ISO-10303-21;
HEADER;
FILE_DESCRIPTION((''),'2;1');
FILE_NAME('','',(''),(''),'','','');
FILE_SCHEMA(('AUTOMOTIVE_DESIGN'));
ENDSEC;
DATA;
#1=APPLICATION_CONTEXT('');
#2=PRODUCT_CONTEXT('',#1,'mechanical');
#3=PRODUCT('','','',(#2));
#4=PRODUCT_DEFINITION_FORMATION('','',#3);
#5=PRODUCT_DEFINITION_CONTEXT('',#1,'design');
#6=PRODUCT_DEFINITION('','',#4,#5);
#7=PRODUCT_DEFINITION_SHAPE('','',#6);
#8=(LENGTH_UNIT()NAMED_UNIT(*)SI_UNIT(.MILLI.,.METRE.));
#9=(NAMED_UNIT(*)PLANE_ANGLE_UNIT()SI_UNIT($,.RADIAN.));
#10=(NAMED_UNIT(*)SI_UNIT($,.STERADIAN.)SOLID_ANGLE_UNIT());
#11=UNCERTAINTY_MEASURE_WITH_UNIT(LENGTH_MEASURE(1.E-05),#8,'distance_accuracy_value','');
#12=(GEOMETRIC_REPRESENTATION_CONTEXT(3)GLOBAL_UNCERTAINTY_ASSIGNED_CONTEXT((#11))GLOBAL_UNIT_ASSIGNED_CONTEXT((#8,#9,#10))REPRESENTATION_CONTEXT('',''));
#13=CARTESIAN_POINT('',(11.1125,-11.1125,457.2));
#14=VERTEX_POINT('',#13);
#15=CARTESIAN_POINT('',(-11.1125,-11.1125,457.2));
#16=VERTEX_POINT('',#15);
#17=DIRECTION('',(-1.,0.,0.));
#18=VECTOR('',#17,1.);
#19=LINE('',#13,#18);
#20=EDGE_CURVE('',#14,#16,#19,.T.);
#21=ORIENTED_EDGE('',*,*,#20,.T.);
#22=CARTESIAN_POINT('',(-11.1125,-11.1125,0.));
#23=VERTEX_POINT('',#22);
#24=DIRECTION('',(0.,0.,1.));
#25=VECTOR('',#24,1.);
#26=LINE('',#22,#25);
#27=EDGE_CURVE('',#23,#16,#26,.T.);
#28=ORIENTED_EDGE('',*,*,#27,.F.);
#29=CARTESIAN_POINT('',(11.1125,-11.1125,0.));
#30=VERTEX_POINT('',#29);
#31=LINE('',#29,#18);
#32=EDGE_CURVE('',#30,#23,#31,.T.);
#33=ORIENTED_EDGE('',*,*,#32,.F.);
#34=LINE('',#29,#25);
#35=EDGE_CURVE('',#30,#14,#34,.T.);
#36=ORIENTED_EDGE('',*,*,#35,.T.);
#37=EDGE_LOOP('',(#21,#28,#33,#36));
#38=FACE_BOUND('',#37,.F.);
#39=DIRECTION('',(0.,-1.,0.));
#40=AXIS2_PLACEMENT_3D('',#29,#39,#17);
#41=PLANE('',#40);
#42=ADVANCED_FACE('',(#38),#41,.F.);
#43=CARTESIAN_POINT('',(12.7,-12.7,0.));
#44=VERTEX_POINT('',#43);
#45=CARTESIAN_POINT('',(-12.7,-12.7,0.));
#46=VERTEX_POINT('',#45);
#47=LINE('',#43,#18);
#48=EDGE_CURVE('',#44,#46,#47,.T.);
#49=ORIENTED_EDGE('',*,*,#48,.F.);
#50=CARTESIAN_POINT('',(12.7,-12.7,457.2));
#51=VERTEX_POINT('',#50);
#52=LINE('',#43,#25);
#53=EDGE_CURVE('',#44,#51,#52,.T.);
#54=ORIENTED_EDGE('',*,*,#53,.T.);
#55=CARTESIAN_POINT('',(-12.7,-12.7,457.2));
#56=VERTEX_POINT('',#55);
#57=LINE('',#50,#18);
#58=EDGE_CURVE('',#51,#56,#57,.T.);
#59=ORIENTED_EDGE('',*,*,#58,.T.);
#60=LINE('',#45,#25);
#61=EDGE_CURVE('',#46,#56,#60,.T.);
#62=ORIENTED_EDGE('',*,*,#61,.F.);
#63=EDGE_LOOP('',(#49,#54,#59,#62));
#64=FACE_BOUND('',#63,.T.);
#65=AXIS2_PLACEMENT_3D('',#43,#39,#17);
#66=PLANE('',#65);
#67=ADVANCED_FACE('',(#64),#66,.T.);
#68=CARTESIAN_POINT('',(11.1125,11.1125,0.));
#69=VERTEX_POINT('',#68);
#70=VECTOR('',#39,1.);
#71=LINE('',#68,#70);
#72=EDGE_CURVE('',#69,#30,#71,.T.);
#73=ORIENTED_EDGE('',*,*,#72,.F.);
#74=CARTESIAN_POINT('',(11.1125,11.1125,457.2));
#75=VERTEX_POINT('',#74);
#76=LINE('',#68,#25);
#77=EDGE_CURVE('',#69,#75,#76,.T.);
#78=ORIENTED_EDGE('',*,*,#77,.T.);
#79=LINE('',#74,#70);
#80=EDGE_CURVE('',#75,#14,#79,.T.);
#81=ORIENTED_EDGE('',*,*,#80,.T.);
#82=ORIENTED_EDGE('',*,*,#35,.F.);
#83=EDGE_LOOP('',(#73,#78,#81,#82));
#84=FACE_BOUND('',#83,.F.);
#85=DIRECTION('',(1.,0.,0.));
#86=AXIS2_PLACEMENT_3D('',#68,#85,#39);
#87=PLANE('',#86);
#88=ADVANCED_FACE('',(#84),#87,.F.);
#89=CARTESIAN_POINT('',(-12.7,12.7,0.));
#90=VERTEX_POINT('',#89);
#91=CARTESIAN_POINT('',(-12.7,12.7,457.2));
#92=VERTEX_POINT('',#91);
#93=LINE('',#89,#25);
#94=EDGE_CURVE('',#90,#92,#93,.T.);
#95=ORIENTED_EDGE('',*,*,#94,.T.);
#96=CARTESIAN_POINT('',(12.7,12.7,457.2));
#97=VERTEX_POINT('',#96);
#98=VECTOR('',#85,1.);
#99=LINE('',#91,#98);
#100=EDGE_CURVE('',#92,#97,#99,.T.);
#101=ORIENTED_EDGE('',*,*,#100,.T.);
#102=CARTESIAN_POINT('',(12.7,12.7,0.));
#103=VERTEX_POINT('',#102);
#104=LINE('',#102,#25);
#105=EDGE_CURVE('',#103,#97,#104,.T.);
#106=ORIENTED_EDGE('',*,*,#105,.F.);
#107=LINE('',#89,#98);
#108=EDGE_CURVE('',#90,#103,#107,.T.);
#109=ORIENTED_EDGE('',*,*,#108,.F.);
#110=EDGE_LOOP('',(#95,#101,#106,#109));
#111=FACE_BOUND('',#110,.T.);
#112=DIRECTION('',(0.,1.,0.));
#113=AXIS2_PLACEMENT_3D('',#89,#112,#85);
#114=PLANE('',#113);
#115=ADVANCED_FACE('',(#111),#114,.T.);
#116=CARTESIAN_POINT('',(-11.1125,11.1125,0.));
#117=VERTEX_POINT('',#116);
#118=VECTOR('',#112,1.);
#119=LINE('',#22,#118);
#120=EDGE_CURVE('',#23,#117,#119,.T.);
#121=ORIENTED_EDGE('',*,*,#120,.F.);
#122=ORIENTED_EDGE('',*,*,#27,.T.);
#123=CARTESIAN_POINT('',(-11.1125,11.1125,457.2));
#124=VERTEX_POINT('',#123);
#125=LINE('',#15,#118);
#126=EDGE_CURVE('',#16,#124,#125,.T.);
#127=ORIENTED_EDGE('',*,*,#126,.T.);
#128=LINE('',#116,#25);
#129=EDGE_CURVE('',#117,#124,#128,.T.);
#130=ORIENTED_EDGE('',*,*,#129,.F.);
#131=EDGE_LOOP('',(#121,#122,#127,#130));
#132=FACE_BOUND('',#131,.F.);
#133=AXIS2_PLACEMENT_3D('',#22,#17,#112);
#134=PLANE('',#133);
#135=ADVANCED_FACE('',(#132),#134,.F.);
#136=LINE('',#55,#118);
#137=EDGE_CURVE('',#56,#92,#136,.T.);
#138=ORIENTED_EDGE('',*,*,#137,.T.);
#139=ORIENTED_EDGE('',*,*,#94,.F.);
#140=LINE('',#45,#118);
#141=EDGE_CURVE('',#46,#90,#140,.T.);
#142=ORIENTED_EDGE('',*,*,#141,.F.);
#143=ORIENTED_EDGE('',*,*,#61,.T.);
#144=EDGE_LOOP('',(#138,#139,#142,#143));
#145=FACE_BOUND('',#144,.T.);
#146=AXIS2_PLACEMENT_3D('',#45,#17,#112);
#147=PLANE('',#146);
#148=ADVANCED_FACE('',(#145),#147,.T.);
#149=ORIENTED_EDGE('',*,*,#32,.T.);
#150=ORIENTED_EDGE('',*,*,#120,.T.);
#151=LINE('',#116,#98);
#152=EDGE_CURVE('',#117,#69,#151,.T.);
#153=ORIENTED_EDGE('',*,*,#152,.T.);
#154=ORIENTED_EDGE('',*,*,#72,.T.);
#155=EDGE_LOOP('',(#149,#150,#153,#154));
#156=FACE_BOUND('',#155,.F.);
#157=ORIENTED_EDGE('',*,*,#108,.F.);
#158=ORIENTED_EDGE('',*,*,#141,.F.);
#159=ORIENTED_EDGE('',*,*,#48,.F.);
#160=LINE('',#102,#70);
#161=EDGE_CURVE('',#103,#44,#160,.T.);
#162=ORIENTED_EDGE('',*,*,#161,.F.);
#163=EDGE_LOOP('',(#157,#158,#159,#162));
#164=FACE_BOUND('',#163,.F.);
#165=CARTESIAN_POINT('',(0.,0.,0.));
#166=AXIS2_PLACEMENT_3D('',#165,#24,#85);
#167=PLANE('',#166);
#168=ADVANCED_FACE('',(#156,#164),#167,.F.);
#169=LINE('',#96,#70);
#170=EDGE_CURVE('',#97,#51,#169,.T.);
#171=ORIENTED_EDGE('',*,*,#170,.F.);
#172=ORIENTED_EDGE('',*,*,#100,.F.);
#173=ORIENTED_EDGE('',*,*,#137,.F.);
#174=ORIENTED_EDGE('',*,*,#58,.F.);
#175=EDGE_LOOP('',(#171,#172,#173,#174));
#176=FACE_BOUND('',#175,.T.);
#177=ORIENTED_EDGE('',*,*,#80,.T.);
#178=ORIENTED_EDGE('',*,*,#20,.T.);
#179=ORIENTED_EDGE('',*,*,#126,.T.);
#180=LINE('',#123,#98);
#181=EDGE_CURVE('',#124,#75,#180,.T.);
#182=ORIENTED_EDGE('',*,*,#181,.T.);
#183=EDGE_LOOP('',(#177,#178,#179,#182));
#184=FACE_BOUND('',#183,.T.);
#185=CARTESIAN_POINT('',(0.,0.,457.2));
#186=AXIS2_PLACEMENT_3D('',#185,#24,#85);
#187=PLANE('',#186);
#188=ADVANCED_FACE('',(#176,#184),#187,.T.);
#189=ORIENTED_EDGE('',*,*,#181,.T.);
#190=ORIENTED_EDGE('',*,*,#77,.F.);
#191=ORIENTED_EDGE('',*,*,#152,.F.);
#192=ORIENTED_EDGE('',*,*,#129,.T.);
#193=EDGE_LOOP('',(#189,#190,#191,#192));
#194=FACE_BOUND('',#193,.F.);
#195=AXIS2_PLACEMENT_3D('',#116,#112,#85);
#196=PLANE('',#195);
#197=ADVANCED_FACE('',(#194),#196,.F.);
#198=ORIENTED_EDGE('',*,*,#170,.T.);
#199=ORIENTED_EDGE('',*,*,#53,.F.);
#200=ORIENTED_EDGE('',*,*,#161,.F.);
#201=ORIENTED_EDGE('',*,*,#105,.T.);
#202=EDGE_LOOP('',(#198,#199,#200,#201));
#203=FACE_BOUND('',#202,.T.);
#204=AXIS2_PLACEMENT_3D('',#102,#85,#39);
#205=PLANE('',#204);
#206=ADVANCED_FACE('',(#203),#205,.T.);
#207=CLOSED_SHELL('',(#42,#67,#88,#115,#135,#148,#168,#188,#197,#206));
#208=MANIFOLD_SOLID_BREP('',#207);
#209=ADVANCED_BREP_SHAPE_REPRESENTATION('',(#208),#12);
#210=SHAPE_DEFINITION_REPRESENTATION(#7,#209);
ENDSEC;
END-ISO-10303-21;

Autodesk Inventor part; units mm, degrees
ref_plane "YZ Plane" through (0, 0, 0) normal (1, 0, 0) x (0, 1, 0)
ref_plane "XZ Plane" through (0, 0, 0) normal (0, 1, 0) x (-1, 0, 0)
ref_plane "XY Plane" through (0, 0, 0) normal (0, 0, 1) x (1, 0, 0)
sketch "Sketch1" plane through (0, 0, 0) normal (0, 0, 1) x (1, 0, 0)
  line L0 (-12.7, 12.7) -> (12.7, 12.7)
  line L1 (12.7, 12.7) -> (12.7, -12.7)
  line L2 (12.7, -12.7) -> (-12.7, -12.7)
  line L3 (-12.7, -12.7) -> (-12.7, 12.7)
  line L4 (-12.7, 12.7) -> (12.7, -12.7) construction
  line L5 (12.7, 12.7) -> (-12.7, -12.7) construction
  line L6 (-11.1125, 11.1125) -> (11.1125, 11.1125)
  line L7 (11.1125, 11.1125) -> (11.1125, -11.1125)
  line L8 (11.1125, -11.1125) -> (-11.1125, -11.1125)
  line L9 (-11.1125, -11.1125) -> (-11.1125, 11.1125)
  line L10 (-11.1125, 11.1125) -> (11.1125, -11.1125) construction
  line L11 (11.1125, 11.1125) -> (-11.1125, -11.1125) construction
  point P0 (0, 0)
  dimension "d0" = 25.4
  dimension "d1" = 25.4
  dimension "d2" = 22.225
  dimension "d3" = 22.225
extrude "Extrusion1" add sketch "Sketch1" along normal blind 457.2
properties part number "Top Bar" material "Aluminum 6061"
